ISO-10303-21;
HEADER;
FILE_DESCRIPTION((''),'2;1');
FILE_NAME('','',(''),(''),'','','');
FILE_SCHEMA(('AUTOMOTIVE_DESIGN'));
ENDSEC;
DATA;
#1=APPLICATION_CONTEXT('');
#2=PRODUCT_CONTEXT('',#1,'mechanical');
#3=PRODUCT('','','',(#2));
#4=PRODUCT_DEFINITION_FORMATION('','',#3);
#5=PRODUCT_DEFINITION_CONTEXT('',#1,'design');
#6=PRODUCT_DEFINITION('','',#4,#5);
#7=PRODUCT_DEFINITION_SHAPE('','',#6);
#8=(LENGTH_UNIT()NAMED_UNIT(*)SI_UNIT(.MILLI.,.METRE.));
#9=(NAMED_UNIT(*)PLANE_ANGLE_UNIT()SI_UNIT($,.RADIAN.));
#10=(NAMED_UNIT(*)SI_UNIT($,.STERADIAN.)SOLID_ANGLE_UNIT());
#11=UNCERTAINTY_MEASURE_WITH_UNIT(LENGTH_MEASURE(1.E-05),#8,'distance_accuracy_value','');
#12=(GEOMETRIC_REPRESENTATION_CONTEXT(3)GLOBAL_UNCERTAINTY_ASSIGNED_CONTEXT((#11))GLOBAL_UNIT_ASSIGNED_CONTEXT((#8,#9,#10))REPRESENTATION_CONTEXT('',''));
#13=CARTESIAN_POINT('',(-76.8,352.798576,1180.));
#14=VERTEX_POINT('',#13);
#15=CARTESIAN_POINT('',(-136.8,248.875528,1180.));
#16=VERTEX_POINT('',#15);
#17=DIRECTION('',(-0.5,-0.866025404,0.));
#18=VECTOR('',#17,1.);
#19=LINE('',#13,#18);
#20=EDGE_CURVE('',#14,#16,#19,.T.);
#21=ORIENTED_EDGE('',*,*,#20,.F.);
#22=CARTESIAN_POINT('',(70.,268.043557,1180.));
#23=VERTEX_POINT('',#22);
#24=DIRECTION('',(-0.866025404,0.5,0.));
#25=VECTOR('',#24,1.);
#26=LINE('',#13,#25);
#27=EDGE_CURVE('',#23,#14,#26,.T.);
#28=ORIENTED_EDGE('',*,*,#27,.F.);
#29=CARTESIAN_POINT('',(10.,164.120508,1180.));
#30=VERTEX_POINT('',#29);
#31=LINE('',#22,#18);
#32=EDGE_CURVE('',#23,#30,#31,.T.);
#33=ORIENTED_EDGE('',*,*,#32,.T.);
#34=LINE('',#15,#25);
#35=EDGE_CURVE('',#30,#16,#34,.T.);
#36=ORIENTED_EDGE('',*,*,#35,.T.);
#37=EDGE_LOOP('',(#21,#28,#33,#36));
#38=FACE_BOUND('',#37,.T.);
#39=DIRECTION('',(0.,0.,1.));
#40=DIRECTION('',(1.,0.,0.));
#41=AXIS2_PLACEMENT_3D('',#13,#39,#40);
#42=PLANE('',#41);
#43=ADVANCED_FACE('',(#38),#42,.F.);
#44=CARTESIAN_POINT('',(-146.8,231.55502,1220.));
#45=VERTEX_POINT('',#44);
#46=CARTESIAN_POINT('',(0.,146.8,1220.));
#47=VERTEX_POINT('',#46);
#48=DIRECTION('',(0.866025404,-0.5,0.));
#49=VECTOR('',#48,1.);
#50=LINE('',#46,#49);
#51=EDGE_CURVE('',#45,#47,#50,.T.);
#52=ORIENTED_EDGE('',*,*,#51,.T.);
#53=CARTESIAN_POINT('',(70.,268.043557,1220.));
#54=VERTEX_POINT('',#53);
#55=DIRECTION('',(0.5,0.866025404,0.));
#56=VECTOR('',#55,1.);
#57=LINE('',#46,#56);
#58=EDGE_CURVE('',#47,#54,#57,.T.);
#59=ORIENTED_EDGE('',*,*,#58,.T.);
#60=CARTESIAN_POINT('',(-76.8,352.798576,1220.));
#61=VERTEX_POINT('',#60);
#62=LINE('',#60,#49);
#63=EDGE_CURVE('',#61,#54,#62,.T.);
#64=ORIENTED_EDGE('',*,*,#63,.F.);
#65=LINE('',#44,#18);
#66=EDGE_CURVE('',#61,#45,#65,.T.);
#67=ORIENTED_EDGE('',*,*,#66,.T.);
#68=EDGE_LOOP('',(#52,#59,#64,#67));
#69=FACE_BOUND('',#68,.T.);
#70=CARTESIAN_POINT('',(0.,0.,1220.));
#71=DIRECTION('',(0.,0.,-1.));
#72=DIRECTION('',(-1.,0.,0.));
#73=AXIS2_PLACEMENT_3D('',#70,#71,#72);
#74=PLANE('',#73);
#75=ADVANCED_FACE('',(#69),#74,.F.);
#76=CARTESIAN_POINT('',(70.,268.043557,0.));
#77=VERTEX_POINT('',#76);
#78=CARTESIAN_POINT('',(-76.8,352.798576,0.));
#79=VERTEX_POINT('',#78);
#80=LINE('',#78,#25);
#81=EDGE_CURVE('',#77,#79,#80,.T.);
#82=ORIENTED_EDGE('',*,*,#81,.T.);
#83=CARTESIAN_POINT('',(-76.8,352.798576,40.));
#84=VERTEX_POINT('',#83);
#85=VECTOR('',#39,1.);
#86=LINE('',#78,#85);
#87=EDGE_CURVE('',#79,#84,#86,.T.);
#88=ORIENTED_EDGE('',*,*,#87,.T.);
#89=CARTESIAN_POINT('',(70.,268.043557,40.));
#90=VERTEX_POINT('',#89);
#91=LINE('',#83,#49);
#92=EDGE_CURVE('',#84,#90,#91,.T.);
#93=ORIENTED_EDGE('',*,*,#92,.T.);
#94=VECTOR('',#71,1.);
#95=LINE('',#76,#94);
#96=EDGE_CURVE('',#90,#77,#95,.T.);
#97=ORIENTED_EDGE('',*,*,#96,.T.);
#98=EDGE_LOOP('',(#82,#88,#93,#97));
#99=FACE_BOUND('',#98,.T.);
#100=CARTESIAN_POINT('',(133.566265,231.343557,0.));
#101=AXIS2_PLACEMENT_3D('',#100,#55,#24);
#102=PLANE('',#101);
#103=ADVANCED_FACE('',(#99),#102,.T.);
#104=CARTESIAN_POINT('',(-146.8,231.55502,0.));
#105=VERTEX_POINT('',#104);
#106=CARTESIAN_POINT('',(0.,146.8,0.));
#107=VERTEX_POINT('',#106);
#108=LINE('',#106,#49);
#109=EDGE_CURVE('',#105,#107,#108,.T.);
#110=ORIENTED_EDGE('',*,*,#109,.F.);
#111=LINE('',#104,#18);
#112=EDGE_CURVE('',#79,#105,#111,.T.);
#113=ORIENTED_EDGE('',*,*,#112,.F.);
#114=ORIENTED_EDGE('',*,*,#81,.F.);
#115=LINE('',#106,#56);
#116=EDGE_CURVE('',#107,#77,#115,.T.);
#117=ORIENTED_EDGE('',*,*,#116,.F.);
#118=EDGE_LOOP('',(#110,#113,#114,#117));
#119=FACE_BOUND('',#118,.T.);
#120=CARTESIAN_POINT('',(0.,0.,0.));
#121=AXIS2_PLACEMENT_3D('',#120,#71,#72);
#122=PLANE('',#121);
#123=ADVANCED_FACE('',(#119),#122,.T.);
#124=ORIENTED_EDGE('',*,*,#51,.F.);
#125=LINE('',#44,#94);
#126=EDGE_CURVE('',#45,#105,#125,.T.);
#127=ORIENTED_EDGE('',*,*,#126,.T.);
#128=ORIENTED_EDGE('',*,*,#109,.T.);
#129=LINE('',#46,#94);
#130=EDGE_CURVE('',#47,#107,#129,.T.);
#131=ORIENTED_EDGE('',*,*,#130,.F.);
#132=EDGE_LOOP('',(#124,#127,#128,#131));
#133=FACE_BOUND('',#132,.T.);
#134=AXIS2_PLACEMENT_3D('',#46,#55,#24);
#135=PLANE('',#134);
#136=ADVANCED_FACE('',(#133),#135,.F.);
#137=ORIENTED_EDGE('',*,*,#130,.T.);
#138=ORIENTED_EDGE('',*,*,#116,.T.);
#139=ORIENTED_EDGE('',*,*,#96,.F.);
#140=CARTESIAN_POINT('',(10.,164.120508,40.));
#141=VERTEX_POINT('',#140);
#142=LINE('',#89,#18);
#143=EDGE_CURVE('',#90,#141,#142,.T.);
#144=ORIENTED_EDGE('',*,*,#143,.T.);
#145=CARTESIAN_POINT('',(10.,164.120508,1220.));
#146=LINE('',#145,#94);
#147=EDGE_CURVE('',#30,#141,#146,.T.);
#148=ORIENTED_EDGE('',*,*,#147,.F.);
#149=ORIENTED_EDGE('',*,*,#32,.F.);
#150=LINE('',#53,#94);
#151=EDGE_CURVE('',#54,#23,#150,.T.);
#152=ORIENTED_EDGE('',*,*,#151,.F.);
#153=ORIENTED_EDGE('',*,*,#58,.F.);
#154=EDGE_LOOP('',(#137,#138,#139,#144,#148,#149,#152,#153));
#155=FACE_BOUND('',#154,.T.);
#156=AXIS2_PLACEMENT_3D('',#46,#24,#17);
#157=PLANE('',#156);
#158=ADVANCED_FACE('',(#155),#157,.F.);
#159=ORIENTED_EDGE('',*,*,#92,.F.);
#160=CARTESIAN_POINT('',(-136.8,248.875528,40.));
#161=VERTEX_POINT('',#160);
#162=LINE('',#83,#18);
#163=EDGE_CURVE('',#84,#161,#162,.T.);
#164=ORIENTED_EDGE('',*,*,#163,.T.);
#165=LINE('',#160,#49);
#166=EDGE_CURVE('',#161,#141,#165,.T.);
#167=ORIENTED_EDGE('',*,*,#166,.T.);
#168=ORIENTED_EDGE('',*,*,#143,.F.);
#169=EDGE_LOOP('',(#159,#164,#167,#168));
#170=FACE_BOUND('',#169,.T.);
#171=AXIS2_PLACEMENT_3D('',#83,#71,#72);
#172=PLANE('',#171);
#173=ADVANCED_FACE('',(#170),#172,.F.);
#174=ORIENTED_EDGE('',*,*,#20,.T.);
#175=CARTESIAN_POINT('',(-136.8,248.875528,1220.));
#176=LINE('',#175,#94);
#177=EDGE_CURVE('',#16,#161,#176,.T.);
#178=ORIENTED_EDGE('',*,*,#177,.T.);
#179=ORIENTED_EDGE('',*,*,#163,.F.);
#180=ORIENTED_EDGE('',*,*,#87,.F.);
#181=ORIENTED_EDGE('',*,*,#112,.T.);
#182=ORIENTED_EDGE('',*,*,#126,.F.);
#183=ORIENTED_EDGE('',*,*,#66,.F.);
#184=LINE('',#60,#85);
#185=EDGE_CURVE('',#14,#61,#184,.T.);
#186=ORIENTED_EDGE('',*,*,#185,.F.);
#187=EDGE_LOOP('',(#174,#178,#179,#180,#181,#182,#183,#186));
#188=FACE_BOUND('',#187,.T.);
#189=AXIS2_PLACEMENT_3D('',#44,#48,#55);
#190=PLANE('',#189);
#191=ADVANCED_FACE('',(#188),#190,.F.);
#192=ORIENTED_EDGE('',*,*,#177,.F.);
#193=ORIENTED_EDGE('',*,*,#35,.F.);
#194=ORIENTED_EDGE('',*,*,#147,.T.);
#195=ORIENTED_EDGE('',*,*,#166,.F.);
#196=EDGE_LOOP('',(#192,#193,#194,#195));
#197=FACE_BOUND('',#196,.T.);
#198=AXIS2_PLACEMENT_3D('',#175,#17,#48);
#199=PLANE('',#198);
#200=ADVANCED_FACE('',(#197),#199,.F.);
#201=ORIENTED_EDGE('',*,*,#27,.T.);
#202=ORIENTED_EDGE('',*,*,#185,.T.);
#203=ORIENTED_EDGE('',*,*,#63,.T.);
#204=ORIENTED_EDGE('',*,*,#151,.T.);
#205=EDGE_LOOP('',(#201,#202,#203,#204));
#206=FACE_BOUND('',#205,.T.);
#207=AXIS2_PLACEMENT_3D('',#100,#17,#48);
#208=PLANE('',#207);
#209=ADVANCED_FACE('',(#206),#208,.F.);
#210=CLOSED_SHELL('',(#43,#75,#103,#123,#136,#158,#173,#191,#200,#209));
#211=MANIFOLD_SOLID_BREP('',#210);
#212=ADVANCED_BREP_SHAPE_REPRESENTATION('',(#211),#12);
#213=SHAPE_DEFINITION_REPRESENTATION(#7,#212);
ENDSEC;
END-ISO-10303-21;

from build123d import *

# Parameters (mm, degrees)
BOSS_EXTRUDE1_DEPTH = 1220
SKETCH4_W           = 169.510039034
SKETCH4_H           = 40
BOSS_EXTRUDE3_DEPTH = 120


with BuildPart() as part:
    # Sketch1 → Boss-Extrude1 (new body)
    with BuildSketch(Plane.XY):
        Polygon((0, 146.8), (10, 164.120508076), (-136.8, 248.875527593), (-146.8, 231.555019517), align=None)
    extrude(amount=BOSS_EXTRUDE1_DEPTH)

    # Sketch4 → Boss-Extrude3 (add)
    with BuildSketch(Plane(origin=(73.566264638, 127.420508076, 0), x_dir=(0.86602540378444, -0.4999999999999976, 0), z_dir=(0.4999999999999976, 0.86602540378444, 0))):
        with Locations((-158.155019517, -1200)):
            Rectangle(SKETCH4_W, SKETCH4_H)
        with Locations((-158.155019517, -20)):
            Rectangle(SKETCH4_W, SKETCH4_H)
    extrude(amount=BOSS_EXTRUDE3_DEPTH)


solid = part.part
